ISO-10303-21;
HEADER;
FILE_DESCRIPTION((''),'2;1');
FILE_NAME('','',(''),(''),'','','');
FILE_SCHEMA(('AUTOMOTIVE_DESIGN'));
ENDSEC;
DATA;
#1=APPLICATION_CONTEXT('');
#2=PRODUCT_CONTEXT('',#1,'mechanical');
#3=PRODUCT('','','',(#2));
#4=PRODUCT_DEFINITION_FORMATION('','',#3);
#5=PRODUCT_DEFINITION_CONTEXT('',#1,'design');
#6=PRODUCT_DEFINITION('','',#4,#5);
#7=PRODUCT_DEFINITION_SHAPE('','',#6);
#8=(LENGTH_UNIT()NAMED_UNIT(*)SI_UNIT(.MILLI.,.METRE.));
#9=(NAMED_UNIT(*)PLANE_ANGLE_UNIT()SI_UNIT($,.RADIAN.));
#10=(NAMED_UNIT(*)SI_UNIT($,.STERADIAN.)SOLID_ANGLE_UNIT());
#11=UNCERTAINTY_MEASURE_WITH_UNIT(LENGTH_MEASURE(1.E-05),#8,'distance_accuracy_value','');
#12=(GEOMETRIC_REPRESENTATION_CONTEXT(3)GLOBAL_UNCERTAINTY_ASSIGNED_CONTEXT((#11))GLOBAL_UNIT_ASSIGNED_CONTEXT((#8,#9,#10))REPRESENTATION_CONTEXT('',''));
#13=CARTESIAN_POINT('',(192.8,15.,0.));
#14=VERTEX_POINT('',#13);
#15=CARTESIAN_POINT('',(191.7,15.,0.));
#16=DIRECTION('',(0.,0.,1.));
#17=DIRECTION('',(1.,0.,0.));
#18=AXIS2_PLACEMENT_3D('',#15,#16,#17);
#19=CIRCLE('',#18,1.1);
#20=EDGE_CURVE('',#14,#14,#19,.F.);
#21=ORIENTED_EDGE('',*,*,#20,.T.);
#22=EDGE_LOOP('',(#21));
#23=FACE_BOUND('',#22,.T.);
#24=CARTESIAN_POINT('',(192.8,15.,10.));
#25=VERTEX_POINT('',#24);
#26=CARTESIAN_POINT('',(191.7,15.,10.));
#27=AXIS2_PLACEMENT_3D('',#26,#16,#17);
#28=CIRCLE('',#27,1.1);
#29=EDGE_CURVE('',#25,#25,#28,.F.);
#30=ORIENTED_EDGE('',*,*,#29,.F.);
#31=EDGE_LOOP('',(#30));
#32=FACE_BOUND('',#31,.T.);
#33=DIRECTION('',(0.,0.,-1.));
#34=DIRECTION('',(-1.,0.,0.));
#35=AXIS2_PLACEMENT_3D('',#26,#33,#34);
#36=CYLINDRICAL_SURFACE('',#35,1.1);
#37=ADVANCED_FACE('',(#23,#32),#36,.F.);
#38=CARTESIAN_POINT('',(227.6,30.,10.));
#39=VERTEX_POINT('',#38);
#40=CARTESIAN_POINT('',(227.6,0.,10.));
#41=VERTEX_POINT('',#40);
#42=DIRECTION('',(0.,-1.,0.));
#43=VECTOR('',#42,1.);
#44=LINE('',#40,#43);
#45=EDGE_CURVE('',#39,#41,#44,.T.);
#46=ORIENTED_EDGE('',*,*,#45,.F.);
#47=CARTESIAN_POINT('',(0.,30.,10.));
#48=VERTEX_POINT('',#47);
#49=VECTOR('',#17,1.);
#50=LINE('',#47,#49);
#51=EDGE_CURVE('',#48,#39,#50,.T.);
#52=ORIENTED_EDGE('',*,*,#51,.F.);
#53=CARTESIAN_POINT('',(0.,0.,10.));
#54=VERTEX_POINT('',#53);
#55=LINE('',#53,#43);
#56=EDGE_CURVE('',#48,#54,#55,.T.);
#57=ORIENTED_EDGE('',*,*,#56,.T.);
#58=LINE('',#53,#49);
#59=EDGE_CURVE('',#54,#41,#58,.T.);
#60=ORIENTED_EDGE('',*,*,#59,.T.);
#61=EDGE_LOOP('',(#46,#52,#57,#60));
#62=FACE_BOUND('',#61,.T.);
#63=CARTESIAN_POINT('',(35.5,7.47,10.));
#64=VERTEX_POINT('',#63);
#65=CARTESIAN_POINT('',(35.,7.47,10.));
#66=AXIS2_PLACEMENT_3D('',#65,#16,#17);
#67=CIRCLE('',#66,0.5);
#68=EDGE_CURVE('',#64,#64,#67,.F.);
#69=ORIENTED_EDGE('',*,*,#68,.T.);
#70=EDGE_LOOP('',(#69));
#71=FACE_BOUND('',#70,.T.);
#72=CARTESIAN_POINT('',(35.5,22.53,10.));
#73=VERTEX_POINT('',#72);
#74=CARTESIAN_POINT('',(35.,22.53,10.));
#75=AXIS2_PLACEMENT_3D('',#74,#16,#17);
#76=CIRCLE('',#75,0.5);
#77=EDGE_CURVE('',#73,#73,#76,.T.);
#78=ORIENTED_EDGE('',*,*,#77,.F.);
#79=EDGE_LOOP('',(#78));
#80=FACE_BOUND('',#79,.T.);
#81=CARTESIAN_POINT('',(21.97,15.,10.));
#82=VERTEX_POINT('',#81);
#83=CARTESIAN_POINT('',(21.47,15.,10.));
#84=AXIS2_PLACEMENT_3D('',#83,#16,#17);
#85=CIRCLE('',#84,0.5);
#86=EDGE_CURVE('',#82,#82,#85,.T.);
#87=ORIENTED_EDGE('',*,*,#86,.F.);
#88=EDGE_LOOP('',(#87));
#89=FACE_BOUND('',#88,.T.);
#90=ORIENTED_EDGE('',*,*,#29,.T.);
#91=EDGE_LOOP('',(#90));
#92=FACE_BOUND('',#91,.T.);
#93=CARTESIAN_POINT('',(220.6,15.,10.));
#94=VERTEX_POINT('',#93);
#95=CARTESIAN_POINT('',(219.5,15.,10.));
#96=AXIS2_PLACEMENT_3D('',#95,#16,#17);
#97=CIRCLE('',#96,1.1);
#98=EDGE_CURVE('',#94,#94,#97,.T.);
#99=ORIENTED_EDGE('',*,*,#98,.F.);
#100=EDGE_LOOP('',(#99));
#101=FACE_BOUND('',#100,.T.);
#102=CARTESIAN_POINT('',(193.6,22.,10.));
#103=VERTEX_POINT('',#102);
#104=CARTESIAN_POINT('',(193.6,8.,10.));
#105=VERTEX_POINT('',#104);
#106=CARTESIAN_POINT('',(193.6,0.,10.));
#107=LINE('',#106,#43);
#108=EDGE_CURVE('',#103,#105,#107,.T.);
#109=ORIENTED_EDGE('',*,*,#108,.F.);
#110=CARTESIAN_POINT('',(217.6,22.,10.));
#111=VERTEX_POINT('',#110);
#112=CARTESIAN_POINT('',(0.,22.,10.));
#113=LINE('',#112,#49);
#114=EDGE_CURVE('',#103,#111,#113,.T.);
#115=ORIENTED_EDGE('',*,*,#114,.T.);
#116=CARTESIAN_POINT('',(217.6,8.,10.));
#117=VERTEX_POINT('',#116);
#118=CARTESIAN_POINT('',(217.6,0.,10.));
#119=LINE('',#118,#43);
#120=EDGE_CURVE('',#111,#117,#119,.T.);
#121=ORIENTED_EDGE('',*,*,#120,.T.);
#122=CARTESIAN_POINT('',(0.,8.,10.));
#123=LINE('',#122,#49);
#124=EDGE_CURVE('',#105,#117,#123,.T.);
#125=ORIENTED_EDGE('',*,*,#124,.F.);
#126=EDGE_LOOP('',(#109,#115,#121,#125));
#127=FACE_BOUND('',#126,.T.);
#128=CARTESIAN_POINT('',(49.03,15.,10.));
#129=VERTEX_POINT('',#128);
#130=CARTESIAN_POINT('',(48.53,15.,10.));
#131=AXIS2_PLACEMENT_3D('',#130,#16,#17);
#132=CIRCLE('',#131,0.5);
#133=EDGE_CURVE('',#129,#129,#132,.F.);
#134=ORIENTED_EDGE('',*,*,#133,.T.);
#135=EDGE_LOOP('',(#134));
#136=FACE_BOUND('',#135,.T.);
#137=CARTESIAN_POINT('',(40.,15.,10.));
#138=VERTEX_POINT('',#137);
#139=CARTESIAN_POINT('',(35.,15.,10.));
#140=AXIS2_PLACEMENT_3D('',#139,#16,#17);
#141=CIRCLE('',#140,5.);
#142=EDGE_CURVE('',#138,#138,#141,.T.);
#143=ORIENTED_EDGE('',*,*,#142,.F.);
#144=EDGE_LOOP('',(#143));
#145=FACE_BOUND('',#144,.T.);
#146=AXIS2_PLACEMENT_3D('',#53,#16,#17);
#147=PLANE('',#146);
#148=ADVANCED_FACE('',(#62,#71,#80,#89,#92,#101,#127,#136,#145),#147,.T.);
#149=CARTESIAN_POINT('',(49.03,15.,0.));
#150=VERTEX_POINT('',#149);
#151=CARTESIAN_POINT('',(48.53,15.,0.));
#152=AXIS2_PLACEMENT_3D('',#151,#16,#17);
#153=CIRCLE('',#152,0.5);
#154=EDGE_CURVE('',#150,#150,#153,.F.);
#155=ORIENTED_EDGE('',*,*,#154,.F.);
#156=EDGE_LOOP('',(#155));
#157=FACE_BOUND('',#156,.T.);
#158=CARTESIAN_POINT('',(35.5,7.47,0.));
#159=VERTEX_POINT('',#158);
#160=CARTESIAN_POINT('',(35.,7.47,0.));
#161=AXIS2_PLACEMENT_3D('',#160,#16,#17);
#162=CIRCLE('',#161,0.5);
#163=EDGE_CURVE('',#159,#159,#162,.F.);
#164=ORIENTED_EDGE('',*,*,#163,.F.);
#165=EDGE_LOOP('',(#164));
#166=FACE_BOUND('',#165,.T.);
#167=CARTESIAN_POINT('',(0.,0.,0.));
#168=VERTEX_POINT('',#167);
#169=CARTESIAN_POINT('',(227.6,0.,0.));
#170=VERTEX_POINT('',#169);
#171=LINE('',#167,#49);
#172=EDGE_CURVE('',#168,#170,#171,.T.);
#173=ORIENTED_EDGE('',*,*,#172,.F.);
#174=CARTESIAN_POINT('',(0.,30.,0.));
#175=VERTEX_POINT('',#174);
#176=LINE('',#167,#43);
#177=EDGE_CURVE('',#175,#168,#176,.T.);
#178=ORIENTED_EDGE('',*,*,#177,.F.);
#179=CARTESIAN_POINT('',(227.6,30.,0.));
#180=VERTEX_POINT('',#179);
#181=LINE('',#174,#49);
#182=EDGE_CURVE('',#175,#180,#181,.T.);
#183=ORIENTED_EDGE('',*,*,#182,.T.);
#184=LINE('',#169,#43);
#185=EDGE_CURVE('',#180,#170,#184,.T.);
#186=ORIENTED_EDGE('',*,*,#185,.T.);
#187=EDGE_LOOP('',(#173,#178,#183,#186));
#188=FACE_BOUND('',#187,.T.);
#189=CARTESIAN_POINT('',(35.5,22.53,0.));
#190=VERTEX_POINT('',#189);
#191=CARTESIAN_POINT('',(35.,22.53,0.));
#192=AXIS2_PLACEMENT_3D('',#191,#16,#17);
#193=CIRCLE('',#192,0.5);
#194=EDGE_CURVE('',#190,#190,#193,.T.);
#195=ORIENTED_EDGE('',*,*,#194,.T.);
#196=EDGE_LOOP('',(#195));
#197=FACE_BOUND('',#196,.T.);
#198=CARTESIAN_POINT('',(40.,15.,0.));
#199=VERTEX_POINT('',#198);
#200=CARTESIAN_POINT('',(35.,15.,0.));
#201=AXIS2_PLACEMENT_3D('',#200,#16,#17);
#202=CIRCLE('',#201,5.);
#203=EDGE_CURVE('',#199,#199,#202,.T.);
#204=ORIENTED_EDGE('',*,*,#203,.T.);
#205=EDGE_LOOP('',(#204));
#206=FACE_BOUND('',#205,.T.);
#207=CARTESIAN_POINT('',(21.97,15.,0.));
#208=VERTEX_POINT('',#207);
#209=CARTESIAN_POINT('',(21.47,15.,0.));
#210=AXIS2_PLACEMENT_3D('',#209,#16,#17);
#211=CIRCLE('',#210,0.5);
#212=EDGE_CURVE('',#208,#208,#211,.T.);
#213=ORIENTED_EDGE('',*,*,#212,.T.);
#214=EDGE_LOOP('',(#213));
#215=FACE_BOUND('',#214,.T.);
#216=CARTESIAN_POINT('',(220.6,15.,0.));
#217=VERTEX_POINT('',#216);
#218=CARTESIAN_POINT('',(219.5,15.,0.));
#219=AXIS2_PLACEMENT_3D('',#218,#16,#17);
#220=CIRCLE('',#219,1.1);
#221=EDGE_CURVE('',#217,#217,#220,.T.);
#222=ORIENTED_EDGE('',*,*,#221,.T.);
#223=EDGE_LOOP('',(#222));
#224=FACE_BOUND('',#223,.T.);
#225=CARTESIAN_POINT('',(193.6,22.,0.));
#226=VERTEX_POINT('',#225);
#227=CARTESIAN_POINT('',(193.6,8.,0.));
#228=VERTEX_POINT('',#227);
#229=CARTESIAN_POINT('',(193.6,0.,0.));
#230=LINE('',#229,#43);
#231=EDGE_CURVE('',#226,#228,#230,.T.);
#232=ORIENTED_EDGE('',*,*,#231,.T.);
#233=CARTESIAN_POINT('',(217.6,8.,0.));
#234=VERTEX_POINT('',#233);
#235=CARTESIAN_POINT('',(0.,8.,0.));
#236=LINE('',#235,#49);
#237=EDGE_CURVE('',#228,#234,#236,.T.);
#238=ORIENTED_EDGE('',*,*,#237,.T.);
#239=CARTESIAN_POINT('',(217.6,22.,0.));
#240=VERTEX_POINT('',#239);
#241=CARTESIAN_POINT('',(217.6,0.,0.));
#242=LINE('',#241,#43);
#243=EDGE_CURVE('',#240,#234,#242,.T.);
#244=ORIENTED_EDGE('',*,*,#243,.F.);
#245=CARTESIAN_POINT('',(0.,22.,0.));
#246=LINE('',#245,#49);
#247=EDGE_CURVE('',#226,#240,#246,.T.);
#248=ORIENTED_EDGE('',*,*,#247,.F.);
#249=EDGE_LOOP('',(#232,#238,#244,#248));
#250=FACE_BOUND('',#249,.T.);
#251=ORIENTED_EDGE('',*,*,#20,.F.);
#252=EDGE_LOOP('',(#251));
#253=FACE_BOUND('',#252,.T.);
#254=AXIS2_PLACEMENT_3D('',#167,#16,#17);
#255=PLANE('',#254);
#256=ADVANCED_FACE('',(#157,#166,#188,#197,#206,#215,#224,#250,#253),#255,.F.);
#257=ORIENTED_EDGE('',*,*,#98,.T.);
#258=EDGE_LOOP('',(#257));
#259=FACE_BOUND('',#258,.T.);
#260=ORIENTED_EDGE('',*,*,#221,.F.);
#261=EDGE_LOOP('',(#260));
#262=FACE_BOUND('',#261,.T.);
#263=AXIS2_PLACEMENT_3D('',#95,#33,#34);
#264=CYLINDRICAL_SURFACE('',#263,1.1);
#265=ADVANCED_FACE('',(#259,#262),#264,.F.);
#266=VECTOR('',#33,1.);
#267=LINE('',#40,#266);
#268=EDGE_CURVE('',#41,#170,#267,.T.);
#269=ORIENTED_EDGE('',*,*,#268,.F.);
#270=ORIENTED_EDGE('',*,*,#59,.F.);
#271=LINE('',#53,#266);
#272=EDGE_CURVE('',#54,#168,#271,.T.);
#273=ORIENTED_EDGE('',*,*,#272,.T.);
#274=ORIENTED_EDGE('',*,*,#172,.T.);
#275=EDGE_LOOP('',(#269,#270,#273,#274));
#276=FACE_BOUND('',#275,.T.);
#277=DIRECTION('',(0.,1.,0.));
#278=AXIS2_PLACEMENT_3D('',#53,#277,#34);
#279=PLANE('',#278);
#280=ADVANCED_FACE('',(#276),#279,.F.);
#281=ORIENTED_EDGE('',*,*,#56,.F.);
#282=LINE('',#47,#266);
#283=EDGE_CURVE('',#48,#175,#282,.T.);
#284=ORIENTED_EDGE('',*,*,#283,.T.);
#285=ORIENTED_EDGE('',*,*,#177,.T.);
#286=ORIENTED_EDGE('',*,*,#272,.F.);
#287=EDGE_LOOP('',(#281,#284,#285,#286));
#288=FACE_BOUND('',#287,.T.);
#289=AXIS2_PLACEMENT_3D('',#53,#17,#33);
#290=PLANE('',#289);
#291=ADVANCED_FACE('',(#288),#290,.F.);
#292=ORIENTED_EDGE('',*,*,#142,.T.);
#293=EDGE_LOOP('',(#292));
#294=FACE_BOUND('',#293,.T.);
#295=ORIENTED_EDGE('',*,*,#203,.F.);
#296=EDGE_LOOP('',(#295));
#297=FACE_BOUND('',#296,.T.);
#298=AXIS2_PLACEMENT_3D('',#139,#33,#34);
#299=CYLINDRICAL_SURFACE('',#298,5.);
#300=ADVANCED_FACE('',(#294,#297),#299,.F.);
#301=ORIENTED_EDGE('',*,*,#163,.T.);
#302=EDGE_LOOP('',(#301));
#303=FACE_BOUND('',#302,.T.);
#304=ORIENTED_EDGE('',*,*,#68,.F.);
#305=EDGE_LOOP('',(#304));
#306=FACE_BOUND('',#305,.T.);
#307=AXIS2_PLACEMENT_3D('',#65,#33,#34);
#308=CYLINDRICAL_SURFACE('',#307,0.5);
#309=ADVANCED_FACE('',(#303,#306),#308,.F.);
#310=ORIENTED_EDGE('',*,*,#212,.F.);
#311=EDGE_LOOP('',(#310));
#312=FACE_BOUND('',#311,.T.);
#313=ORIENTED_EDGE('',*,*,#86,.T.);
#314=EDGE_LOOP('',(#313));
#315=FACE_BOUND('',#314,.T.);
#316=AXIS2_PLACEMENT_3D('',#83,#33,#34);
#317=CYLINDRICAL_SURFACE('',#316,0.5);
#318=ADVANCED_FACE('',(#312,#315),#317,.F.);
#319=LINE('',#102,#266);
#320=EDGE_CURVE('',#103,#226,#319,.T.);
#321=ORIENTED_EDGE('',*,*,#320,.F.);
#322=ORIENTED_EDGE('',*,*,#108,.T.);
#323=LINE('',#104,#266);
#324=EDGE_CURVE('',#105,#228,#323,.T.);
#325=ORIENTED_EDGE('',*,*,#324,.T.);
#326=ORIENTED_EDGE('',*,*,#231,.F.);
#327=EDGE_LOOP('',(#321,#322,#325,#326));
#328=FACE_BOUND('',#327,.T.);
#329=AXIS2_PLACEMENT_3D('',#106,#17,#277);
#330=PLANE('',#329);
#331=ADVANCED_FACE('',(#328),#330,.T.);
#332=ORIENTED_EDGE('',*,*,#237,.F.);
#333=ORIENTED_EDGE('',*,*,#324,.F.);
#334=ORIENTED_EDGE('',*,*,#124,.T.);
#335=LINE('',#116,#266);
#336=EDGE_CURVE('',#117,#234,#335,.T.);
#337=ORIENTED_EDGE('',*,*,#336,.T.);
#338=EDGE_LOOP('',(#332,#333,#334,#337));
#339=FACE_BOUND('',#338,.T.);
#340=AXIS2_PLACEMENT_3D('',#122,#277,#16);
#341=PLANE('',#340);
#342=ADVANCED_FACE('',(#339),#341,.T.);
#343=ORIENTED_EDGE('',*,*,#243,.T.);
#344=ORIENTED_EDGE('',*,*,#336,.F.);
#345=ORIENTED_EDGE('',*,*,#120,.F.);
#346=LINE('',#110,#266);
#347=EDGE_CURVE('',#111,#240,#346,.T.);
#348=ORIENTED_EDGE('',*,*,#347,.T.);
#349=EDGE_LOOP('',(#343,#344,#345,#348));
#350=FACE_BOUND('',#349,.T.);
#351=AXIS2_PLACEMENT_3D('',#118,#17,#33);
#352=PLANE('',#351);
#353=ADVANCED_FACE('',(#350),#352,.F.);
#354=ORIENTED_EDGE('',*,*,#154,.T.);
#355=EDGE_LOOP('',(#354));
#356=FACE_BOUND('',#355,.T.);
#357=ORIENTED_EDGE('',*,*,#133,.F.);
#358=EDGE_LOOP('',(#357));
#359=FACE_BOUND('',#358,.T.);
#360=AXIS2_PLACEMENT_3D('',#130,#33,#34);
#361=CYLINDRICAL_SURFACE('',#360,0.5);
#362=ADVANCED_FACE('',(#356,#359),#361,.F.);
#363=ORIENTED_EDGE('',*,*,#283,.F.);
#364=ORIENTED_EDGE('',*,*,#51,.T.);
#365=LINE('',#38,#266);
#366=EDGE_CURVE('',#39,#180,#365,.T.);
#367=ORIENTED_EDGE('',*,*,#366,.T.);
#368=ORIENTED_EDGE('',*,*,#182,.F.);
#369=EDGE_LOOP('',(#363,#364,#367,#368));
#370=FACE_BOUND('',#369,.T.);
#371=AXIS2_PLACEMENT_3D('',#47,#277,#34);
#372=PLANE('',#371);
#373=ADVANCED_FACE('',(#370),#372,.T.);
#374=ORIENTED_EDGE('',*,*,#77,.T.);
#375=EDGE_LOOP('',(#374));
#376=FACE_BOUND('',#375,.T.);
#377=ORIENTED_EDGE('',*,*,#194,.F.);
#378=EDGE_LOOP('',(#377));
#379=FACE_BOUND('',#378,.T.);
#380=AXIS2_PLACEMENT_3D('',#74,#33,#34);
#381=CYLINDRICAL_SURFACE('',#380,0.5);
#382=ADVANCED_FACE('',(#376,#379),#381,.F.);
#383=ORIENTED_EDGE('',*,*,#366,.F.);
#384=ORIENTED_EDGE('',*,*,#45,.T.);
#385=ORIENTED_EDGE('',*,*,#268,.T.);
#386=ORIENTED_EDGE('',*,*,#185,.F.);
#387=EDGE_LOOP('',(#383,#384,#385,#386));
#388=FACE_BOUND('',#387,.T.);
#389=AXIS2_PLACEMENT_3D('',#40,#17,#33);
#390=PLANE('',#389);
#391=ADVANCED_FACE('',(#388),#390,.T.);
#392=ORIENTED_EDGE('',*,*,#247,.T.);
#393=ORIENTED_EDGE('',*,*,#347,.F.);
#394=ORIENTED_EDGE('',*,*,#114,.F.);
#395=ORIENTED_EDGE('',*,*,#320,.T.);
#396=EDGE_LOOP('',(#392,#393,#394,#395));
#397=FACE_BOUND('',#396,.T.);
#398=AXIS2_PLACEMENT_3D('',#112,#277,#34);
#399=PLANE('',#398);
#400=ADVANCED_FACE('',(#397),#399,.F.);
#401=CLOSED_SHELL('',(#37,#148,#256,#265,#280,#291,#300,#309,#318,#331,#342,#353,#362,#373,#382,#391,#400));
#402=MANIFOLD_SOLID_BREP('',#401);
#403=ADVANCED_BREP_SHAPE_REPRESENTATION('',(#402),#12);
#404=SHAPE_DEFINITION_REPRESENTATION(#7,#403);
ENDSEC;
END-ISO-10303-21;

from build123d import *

# Parameters (mm, degrees)
SKETCH1_W           = 227.6
SKETCH1_H           = 30
SKETCH1_R           = 0.5
SKETCH1_R_2         = 5
SKETCH1_R_3         = 1.1
SKETCH1_W_2         = 24
SKETCH1_H_2         = 14
BOSS_EXTRUDE1_DEPTH = 10


with BuildPart() as part:
    # Sketch1 → Boss-Extrude1 (new body)
    with BuildSketch(Plane.XY):
        with Locations((113.8, 15)):
            Rectangle(SKETCH1_W, SKETCH1_H)
        with Locations((35, 7.47)):
            Circle(SKETCH1_R, mode=Mode.SUBTRACT)
        with Locations((21.47, 15)):
            Circle(SKETCH1_R, mode=Mode.SUBTRACT)
        with Locations((35, 15)):
            Circle(SKETCH1_R_2, mode=Mode.SUBTRACT)
        with Locations((48.53, 15)):
            Circle(SKETCH1_R, mode=Mode.SUBTRACT)
        with Locations((35, 22.53)):
            Circle(SKETCH1_R, mode=Mode.SUBTRACT)
        with Locations((219.5, 15)):
            Circle(SKETCH1_R_3, mode=Mode.SUBTRACT)
        with Locations((191.7, 15)):
            Circle(SKETCH1_R_3, mode=Mode.SUBTRACT)
        with Locations((205.6, 15)):
            Rectangle(SKETCH1_W_2, SKETCH1_H_2, mode=Mode.SUBTRACT)
    extrude(amount=BOSS_EXTRUDE1_DEPTH)


solid = part.part
